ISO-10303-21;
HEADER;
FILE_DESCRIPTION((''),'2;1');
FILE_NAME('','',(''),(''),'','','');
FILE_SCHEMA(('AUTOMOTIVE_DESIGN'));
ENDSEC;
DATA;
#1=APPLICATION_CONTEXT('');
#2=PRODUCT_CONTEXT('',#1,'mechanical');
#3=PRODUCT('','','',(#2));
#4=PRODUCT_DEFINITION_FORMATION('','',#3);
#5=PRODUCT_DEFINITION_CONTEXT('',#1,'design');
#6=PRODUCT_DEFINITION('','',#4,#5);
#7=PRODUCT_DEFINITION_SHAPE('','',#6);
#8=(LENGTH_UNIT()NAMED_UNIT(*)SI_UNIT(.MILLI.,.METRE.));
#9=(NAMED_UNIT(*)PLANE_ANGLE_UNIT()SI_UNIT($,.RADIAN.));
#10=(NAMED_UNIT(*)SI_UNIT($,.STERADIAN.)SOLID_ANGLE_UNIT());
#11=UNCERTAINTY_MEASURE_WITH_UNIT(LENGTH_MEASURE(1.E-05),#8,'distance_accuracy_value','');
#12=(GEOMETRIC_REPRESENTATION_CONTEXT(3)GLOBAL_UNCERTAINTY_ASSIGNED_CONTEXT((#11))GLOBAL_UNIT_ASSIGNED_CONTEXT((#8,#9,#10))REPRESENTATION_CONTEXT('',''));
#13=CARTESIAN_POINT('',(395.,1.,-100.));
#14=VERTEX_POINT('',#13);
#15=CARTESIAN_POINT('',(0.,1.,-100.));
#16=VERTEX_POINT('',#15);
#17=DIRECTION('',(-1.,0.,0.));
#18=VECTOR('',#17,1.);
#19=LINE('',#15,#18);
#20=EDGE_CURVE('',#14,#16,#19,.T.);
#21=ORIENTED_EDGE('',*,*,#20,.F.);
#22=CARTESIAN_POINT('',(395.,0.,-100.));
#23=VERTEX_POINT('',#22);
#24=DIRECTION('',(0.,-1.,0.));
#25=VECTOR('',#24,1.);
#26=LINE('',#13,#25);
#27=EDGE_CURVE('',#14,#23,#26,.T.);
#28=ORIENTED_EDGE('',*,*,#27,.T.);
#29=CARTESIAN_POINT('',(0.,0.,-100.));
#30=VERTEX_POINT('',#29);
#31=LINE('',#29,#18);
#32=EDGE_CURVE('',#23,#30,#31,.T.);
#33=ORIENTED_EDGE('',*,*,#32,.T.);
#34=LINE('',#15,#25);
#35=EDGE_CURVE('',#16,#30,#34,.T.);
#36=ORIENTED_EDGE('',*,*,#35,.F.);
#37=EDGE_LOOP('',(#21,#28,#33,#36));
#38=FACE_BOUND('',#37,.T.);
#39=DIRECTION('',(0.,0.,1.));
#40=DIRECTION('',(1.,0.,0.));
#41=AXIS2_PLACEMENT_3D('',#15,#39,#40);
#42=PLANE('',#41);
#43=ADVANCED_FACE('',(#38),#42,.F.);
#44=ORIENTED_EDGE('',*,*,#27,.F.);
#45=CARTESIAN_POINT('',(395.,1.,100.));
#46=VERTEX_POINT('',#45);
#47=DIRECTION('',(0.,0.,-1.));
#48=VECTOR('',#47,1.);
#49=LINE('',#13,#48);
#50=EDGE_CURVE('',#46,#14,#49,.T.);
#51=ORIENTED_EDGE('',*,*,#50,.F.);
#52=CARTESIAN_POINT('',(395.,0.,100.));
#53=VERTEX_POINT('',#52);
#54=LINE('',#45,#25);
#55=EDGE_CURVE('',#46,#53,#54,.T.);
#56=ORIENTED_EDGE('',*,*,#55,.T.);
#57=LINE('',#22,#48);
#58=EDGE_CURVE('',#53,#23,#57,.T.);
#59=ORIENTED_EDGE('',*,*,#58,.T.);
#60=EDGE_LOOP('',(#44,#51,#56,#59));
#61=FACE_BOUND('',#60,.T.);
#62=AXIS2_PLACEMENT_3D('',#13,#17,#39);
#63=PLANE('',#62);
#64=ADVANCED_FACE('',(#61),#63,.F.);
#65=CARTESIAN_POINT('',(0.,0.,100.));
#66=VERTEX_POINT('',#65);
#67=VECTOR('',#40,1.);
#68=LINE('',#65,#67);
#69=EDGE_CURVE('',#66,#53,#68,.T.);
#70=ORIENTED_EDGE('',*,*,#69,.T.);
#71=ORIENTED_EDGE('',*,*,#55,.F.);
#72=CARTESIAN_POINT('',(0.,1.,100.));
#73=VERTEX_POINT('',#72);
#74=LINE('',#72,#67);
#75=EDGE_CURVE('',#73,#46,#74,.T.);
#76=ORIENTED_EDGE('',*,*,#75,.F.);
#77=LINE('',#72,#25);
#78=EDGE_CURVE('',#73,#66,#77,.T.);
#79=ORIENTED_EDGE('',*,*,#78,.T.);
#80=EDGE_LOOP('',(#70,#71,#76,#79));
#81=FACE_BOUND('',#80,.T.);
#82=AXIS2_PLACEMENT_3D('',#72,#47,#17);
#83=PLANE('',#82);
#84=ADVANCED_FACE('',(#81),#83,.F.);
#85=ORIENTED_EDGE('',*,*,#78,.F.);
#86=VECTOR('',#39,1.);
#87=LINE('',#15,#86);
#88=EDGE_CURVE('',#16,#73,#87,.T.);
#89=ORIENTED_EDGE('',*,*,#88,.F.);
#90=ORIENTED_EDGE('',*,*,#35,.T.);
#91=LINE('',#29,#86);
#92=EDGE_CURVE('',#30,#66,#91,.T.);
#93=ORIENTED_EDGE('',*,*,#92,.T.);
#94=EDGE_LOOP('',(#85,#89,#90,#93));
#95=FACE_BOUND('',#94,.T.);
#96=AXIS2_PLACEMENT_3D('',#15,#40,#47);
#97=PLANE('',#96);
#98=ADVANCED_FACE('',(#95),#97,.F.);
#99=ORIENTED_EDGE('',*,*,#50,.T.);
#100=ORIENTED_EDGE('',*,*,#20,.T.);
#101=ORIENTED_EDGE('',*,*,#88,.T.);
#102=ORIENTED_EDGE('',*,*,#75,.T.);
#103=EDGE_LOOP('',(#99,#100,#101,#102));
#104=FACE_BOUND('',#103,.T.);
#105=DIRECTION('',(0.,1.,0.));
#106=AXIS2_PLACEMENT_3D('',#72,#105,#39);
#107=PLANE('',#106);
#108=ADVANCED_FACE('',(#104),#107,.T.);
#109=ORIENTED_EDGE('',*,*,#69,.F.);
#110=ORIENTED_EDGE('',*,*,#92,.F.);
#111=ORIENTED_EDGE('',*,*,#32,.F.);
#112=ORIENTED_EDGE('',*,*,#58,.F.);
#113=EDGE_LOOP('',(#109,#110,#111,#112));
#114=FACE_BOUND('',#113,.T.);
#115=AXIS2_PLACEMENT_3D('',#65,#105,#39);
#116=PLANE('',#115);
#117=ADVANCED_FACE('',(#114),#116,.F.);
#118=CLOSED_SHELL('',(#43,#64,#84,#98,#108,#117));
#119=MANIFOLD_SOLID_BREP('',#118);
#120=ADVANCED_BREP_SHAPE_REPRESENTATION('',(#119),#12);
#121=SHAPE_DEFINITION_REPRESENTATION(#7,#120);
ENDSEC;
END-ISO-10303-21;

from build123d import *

# Parameters (mm, degrees)
SKETCH1_W          = 395
SKETCH1_H          = 200
CUT_EXTRUDE1_DEPTH = 1


with BuildPart() as part:
    # Sketch1 → Cut-Extrude1 (new body)
    with BuildSketch(Plane(origin=(0, 0, 0), x_dir=(1, 0, 0), z_dir=(0, 1, 0))):
        with Locations((197.5, 0)):
            Rectangle(SKETCH1_W, SKETCH1_H)
    extrude(amount=CUT_EXTRUDE1_DEPTH)


solid = part.part
